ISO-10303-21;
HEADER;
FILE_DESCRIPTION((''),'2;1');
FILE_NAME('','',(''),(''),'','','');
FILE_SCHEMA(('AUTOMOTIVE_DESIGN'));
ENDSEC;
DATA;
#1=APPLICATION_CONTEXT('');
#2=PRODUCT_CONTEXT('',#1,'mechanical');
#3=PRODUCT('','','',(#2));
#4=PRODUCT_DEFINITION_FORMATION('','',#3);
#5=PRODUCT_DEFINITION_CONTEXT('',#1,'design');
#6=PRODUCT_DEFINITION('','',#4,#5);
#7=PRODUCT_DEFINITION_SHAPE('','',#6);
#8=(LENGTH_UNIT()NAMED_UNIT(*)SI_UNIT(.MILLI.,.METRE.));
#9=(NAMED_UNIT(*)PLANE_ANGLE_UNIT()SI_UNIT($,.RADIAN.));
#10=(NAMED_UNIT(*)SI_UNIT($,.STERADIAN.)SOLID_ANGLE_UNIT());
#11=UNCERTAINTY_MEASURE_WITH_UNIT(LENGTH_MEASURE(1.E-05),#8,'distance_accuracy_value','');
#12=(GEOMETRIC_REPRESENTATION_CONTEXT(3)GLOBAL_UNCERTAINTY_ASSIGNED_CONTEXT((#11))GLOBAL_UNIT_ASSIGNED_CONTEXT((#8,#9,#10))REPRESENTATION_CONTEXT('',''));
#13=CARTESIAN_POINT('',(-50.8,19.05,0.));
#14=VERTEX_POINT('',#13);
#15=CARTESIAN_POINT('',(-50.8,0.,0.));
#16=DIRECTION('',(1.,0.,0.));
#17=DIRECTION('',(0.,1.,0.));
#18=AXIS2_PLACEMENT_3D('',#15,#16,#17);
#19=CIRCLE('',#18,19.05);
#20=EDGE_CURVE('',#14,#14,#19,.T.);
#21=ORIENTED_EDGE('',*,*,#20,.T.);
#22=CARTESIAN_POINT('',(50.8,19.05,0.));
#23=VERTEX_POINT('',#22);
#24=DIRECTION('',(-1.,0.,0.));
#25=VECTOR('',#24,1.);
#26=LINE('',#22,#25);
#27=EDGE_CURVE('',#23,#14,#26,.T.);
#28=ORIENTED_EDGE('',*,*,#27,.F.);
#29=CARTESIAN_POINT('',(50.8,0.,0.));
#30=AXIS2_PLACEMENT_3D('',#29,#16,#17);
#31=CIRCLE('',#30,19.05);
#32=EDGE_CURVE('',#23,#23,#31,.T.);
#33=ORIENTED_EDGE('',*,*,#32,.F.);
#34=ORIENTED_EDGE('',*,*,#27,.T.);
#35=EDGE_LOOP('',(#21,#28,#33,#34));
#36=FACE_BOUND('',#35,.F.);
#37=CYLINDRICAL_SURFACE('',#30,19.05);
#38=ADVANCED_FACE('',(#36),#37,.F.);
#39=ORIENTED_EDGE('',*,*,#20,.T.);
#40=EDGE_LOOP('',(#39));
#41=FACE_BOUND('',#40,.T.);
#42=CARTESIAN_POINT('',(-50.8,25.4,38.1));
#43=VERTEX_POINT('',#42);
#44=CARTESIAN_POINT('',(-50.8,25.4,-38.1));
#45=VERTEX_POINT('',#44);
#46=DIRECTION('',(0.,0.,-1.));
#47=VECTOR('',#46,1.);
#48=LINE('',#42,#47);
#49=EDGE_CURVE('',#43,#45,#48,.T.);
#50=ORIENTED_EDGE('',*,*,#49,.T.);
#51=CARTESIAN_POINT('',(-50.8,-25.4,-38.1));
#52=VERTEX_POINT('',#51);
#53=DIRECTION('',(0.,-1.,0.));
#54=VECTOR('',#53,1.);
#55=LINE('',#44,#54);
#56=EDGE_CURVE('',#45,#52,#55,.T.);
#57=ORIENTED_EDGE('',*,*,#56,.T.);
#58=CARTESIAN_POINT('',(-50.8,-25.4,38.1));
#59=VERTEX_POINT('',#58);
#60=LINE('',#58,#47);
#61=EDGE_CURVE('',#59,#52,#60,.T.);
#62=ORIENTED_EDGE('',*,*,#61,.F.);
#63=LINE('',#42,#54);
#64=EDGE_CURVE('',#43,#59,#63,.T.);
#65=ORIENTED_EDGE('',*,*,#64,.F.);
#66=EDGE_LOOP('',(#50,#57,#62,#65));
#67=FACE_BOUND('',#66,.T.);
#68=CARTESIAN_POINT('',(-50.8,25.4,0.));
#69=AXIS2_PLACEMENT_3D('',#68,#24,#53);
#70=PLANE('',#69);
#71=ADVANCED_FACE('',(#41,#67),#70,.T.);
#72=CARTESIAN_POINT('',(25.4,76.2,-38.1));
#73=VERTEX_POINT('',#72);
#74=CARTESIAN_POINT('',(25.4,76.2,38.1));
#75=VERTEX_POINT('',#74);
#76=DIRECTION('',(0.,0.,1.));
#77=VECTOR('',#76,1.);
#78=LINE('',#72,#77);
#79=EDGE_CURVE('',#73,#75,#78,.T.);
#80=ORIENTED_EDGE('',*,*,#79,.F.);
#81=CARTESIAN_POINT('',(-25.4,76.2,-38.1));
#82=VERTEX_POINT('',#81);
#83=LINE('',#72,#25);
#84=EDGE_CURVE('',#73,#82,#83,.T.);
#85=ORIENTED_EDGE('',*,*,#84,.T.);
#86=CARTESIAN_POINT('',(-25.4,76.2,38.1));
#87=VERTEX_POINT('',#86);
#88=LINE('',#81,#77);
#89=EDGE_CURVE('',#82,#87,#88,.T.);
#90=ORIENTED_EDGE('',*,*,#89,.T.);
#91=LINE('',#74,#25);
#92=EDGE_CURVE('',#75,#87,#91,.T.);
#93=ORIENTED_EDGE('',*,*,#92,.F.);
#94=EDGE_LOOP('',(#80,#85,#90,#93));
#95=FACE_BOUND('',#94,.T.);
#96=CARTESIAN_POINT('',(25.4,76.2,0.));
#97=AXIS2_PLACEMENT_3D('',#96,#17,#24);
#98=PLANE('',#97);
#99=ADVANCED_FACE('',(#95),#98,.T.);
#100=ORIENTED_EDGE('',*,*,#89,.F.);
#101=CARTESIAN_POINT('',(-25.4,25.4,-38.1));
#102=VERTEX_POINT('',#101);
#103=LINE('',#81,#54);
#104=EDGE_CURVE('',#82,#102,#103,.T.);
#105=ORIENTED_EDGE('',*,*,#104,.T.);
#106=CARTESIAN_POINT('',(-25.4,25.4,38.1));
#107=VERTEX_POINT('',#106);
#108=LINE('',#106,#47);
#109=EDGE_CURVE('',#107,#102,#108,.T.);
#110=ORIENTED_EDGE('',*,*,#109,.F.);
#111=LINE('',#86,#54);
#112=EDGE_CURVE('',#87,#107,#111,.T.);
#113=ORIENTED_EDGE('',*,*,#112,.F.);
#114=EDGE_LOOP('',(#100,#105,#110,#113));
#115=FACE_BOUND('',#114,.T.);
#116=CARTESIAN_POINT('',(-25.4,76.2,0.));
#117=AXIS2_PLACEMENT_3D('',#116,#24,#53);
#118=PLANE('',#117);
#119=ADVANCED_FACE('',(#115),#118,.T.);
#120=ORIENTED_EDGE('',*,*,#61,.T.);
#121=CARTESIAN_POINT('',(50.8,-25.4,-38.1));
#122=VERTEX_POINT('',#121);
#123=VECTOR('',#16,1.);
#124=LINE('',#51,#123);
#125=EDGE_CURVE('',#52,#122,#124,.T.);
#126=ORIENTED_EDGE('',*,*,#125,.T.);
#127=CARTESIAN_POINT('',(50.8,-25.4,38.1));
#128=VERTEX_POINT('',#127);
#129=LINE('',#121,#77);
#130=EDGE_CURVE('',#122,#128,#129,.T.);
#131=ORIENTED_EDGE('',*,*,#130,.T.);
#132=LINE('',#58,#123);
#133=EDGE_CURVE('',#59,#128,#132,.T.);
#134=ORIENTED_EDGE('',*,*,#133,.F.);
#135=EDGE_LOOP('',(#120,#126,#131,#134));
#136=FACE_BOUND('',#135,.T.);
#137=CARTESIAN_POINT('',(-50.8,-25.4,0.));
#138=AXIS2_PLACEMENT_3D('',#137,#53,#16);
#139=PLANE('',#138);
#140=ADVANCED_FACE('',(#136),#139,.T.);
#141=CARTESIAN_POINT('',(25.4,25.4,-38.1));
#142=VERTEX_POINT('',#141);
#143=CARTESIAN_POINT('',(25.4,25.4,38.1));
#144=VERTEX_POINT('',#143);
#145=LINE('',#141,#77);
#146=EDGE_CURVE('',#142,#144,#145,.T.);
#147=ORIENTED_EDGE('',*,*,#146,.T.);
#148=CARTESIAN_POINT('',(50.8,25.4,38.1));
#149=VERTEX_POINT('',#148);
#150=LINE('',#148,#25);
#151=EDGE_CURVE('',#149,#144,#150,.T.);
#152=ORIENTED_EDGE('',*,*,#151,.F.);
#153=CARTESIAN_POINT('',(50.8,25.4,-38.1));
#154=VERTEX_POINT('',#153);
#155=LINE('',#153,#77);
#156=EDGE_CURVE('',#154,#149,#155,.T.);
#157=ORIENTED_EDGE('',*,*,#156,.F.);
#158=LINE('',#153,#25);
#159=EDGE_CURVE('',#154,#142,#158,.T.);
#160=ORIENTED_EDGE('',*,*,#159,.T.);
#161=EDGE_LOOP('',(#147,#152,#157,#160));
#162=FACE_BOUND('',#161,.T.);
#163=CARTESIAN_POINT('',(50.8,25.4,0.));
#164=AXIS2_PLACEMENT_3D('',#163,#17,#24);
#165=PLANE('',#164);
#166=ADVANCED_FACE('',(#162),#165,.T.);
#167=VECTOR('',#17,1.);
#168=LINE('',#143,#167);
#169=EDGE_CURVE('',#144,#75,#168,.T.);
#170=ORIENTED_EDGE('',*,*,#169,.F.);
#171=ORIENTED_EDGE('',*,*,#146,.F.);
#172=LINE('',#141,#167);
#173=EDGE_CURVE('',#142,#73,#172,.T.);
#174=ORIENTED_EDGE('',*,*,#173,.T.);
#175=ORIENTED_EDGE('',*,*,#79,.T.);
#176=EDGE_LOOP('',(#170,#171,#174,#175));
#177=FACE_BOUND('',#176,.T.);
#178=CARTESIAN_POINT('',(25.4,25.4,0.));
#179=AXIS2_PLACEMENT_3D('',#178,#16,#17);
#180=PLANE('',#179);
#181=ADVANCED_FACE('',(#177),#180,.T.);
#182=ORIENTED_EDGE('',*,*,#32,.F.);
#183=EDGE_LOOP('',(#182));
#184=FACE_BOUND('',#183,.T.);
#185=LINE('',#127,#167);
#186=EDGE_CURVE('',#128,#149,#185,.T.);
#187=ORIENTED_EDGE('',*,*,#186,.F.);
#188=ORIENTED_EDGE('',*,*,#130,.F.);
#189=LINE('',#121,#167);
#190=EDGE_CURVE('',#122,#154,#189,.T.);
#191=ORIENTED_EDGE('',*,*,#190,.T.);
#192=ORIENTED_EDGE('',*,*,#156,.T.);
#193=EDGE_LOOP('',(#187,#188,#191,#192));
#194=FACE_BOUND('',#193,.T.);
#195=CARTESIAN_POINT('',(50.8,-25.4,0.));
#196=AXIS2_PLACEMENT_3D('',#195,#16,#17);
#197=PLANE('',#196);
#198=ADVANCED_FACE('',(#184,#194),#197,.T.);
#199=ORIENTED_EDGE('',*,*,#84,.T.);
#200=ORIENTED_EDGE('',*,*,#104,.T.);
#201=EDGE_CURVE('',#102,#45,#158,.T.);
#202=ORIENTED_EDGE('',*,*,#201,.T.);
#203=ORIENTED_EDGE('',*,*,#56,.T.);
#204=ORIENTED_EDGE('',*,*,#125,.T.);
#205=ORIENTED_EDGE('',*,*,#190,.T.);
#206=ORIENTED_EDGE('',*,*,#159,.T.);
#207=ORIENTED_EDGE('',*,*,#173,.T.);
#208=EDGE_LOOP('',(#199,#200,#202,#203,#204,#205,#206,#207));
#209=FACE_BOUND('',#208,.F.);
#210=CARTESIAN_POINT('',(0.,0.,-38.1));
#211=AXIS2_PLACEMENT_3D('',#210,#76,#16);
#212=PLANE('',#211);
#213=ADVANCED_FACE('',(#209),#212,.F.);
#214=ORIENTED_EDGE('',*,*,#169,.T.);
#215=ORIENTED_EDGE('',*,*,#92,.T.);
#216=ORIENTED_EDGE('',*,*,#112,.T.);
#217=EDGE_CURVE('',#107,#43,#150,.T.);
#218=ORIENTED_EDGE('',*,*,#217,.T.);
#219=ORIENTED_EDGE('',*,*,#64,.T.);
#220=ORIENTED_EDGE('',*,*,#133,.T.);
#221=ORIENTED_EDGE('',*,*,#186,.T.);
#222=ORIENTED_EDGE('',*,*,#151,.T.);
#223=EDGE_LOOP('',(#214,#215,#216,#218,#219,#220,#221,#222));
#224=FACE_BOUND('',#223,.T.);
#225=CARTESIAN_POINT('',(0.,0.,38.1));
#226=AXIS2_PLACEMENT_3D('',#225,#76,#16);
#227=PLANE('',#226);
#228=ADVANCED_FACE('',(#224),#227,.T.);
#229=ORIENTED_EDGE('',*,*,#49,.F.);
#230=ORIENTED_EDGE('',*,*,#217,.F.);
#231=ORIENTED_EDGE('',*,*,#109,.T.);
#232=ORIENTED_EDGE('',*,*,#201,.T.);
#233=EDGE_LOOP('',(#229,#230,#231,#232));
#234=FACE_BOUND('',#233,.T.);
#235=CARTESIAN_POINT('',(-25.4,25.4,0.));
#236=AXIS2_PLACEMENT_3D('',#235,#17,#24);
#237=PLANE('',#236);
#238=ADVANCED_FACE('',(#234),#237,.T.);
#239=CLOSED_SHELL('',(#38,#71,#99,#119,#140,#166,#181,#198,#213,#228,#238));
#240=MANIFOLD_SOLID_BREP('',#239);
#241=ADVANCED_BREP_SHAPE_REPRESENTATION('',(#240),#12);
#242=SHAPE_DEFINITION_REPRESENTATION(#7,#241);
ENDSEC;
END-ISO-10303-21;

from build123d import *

# Parameters (mm, degrees)
F1_DEPTH = 38.1
F2_R     = 19.05
F3_DEPTH = 101.601


with BuildPart() as f1:
    # F0 (on Top) → F1 (new body, symmetric)
    with BuildSketch(Plane.XY):
        Polygon((-50.8, -25.4), (50.8, -25.4), (50.8, 25.4), (25.4, 25.4), (0, 25.4), (-25.4, 25.4), (-50.8, 25.4), align=None)
        Polygon((0, 25.4), (25.4, 25.4), (25.4, 76.2), (-25.4, 76.2), (-25.4, 25.4), align=None)
    extrude(amount=F1_DEPTH, both=True)

    # F2 (on face) → F3 (cut, through all)
    with BuildSketch(Plane.YZ.offset(50.8)):
        Circle(F2_R)
    extrude(amount=-F3_DEPTH, mode=Mode.SUBTRACT)


solid = f1.part
